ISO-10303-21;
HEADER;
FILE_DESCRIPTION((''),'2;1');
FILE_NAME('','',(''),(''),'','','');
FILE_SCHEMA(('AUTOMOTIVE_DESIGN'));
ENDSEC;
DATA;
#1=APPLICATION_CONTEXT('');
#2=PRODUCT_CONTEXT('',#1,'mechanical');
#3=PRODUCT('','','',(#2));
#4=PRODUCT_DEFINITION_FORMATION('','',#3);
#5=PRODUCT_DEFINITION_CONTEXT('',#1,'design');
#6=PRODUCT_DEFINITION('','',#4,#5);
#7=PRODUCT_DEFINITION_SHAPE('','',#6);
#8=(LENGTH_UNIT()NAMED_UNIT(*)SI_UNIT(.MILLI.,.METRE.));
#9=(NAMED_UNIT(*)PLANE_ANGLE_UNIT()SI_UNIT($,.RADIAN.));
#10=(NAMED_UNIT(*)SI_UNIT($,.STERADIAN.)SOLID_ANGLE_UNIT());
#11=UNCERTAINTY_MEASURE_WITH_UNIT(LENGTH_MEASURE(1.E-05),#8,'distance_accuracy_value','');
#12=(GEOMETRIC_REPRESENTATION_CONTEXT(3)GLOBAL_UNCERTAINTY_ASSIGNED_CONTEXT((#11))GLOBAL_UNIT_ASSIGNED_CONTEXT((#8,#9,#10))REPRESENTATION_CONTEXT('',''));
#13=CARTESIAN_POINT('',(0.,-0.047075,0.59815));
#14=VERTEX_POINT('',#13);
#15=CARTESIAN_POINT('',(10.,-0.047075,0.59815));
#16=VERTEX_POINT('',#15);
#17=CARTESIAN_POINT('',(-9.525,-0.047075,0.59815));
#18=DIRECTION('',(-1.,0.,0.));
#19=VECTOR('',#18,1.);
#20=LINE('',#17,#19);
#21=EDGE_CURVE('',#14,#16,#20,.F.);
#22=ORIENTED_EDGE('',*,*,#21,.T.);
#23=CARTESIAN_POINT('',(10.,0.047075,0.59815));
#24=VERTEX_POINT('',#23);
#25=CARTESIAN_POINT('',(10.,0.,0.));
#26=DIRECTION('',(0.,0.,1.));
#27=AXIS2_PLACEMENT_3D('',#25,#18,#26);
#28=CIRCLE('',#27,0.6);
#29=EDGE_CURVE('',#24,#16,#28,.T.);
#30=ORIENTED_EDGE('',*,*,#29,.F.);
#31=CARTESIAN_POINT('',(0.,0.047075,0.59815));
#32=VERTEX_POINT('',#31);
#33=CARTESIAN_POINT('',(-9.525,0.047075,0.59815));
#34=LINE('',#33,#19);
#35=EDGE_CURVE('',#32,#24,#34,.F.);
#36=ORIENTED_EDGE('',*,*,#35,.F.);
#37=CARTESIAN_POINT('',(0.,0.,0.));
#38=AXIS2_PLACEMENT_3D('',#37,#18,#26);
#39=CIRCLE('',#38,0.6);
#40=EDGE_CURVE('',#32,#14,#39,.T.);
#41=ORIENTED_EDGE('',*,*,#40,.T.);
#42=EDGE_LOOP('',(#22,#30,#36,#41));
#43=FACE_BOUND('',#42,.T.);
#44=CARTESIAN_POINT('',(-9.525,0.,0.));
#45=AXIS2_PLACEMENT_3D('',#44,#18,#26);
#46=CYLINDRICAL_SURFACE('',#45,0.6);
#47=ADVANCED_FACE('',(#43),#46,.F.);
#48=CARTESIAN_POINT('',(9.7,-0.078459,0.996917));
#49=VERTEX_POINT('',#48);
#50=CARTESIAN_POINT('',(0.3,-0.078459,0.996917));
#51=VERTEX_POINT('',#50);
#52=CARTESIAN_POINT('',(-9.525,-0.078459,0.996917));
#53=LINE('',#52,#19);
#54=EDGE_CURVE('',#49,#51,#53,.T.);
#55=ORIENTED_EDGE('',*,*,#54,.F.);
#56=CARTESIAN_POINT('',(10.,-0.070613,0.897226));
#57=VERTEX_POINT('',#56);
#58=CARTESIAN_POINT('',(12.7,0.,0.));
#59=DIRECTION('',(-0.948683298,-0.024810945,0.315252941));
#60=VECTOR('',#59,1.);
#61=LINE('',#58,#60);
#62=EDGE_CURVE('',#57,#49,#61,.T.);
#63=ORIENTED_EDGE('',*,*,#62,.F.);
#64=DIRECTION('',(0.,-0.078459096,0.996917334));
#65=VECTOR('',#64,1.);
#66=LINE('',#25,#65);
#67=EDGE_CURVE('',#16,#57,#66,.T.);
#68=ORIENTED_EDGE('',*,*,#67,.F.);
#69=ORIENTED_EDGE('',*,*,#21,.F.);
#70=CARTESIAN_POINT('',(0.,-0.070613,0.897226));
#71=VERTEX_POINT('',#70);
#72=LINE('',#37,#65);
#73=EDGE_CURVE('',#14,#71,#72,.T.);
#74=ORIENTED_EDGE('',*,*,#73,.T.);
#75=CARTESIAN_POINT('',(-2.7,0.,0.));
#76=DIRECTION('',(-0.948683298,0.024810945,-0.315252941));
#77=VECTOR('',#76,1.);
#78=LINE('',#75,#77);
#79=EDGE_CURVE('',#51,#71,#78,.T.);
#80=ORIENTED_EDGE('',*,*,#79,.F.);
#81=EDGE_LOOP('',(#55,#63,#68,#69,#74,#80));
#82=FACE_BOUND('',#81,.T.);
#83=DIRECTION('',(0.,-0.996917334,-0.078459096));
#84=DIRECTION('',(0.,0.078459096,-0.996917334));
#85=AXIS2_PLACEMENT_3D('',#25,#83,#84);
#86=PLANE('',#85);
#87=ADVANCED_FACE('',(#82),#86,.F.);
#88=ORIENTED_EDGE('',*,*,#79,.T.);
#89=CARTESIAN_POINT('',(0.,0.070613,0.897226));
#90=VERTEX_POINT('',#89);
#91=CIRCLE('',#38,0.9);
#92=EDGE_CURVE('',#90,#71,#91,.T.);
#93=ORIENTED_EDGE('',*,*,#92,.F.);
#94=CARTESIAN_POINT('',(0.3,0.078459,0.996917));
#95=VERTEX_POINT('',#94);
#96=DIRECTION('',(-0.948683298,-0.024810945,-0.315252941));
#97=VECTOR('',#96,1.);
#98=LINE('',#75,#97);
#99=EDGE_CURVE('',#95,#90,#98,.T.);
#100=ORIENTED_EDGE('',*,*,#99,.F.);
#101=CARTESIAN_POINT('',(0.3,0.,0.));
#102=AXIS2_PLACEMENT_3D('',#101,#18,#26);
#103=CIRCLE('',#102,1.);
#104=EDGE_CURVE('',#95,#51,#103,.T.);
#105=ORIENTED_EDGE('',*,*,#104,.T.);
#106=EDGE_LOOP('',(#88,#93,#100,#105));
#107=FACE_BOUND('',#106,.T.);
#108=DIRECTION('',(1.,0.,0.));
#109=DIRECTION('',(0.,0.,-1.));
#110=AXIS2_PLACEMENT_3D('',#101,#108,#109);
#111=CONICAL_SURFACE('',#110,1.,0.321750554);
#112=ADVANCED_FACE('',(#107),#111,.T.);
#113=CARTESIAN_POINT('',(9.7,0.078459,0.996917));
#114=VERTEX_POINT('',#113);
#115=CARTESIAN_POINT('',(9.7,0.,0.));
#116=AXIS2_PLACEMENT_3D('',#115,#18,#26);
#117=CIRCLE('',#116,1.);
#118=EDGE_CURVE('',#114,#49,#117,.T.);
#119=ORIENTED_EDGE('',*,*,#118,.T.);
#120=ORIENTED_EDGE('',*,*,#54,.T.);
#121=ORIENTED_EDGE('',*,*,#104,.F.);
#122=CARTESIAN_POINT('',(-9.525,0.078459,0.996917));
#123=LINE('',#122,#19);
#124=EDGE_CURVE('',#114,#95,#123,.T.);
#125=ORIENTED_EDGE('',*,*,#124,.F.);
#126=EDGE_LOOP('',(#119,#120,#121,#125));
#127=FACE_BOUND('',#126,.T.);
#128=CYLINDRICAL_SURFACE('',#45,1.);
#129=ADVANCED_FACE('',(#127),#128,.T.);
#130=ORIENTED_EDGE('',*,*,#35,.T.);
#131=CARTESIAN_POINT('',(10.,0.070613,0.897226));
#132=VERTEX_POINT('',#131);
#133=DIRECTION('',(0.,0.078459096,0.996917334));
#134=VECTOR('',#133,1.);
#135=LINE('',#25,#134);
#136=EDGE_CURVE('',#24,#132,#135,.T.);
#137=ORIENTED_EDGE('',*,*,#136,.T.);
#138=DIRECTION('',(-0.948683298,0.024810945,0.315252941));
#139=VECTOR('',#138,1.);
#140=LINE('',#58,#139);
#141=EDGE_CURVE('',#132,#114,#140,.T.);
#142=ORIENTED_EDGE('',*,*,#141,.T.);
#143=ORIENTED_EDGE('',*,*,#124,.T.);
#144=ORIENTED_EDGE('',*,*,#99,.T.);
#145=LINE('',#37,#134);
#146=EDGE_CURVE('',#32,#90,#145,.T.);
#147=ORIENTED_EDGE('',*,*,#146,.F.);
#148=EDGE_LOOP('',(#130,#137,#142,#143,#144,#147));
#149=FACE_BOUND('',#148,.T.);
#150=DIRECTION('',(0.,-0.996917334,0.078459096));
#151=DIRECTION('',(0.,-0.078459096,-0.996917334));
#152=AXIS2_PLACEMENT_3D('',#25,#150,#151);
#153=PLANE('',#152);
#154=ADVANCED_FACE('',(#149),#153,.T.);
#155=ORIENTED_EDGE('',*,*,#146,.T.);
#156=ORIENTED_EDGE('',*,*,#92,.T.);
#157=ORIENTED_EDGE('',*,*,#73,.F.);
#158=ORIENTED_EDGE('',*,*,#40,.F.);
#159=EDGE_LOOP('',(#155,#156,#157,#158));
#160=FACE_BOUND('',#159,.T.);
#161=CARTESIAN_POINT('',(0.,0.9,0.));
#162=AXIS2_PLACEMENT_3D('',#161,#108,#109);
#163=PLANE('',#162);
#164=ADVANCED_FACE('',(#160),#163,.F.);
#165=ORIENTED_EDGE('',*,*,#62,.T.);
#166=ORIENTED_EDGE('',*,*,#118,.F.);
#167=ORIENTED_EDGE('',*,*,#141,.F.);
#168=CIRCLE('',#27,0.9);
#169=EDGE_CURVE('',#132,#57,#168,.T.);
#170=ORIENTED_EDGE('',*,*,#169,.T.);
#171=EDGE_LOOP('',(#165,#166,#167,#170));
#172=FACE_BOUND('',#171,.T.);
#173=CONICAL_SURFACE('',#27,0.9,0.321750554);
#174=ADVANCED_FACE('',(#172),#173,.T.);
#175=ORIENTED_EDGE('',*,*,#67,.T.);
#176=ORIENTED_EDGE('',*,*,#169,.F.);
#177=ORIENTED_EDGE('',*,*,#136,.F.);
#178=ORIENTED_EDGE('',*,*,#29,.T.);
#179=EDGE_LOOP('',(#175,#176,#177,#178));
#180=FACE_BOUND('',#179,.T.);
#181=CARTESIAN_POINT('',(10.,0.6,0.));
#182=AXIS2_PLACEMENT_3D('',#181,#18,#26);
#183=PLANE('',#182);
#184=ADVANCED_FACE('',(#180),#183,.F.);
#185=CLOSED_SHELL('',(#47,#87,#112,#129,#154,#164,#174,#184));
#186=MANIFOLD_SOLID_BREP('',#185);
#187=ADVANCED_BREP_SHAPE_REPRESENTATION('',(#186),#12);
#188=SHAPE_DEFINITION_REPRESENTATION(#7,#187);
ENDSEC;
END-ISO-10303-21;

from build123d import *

# Parameters (mm, degrees)
GAP_DEPTH = 11.099504938


with BuildPart() as part:
    # BodySke → Body (revolve)
    with BuildSketch(Plane.XY, mode=Mode.PRIVATE) as body_sk:
        Polygon((0, 0.6), (10, 0.6), (10, 0.9), (9.7, 1), (0.3, 1), (0, 0.9), align=None)
    revolve(body_sk.sketch.rotate(Axis((-9.525, 0, 0), (1, 0, 0)), 90), axis=Axis((-9.525, 0, 0), (1, 0, 0)))

    # GapSke → Gap (cut, through all)
    with BuildSketch(Plane(origin=(0, 0, 0), x_dir=(0, -1, 0), z_dir=(-1, 0, 0))):
        with BuildLine():
            Line((0, 0), (0.080028278, 1.01685568))
            ThreePointArc((0.080028278, 1.01685568), (0, 1.02), (-0.080028278, 1.01685568))
            Line((-0.080028278, 1.01685568), (0, 0))
        make_face()
    extrude(amount=-GAP_DEPTH, mode=Mode.SUBTRACT)


solid = part.part
